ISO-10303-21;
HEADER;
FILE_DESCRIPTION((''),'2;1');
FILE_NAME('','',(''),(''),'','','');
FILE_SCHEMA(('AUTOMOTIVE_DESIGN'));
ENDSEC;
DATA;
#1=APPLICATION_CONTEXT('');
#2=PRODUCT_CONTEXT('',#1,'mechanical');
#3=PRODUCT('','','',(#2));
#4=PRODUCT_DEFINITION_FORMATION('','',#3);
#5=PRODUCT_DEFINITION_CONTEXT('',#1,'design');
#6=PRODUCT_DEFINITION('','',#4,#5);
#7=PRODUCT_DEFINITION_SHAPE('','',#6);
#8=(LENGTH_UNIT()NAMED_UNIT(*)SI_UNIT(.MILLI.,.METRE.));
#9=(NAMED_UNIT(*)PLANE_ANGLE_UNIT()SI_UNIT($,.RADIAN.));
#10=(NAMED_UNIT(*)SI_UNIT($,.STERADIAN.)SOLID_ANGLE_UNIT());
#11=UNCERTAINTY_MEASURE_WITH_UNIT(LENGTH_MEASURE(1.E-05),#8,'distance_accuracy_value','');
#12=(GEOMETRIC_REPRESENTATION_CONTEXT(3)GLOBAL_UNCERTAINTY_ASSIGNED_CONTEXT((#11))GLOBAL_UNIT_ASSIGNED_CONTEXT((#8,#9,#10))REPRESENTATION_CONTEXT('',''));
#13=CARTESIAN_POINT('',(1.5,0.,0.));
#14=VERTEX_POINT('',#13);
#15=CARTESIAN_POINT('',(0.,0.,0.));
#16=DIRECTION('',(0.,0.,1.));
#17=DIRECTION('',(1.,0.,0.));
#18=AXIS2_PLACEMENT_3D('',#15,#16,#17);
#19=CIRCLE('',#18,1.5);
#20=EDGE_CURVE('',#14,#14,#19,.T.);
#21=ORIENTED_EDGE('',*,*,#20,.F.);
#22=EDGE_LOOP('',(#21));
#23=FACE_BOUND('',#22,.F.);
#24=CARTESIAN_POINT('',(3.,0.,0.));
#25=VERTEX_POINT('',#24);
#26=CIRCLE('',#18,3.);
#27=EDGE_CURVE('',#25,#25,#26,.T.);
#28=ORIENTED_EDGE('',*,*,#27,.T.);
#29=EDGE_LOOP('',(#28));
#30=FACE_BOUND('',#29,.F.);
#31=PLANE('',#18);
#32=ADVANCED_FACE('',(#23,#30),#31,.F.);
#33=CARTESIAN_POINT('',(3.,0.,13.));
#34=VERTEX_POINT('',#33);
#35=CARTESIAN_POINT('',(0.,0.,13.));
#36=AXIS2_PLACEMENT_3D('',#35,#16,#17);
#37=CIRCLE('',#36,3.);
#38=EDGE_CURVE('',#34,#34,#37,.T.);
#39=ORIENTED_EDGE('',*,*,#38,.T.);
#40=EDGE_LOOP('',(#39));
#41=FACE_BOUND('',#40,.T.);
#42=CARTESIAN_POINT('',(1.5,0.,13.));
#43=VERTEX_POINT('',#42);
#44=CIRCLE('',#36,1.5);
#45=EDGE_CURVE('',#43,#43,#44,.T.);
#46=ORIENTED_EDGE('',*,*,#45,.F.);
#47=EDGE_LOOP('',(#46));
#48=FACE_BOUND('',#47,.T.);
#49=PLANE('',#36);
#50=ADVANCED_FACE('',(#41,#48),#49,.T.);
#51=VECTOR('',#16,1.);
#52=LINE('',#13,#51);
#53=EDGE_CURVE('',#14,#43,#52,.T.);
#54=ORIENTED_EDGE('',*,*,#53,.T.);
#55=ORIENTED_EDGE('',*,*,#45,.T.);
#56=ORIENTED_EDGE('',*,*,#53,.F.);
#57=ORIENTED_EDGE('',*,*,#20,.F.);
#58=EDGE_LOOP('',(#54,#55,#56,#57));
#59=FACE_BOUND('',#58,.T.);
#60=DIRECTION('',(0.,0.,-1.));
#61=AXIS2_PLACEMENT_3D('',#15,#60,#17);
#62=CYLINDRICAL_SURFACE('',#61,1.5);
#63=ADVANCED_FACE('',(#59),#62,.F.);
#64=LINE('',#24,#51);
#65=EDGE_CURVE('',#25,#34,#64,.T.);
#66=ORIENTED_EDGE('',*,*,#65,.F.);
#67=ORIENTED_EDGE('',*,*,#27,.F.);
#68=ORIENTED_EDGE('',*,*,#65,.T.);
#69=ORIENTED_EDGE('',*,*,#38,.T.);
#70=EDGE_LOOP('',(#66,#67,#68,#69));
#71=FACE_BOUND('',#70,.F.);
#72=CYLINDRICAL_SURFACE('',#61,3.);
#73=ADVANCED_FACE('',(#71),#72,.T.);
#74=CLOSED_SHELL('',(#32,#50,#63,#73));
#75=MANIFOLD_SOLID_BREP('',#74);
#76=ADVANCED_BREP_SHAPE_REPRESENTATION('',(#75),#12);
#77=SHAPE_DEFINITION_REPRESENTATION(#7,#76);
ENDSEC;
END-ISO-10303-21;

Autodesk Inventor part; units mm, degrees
ref_plane "YZ Plane" through (0, 0, 0) normal (1, 0, 0) x (0, 1, 0)
ref_plane "XZ Plane" through (0, 0, 0) normal (0, 1, 0) x (-1, 0, 0)
ref_plane "XY Plane" through (0, 0, 0) normal (0, 0, 1) x (1, 0, 0)
sketch "スケッチ1" plane through (0, 0, 0) normal (0, 0, 1) x (1, 0, 0)
  circle A0 centre (0, 0) radius 3
  circle A1 centre (0, 0) radius 1.5
  dimension "d0" = 6
  dimension "d1" = 3
extrude "押し出し1" add sketch "スケッチ1" along normal blind 13
properties part number "スペーサーm3-11　簡易筒型" material "アルミニウム 2014-T4"
